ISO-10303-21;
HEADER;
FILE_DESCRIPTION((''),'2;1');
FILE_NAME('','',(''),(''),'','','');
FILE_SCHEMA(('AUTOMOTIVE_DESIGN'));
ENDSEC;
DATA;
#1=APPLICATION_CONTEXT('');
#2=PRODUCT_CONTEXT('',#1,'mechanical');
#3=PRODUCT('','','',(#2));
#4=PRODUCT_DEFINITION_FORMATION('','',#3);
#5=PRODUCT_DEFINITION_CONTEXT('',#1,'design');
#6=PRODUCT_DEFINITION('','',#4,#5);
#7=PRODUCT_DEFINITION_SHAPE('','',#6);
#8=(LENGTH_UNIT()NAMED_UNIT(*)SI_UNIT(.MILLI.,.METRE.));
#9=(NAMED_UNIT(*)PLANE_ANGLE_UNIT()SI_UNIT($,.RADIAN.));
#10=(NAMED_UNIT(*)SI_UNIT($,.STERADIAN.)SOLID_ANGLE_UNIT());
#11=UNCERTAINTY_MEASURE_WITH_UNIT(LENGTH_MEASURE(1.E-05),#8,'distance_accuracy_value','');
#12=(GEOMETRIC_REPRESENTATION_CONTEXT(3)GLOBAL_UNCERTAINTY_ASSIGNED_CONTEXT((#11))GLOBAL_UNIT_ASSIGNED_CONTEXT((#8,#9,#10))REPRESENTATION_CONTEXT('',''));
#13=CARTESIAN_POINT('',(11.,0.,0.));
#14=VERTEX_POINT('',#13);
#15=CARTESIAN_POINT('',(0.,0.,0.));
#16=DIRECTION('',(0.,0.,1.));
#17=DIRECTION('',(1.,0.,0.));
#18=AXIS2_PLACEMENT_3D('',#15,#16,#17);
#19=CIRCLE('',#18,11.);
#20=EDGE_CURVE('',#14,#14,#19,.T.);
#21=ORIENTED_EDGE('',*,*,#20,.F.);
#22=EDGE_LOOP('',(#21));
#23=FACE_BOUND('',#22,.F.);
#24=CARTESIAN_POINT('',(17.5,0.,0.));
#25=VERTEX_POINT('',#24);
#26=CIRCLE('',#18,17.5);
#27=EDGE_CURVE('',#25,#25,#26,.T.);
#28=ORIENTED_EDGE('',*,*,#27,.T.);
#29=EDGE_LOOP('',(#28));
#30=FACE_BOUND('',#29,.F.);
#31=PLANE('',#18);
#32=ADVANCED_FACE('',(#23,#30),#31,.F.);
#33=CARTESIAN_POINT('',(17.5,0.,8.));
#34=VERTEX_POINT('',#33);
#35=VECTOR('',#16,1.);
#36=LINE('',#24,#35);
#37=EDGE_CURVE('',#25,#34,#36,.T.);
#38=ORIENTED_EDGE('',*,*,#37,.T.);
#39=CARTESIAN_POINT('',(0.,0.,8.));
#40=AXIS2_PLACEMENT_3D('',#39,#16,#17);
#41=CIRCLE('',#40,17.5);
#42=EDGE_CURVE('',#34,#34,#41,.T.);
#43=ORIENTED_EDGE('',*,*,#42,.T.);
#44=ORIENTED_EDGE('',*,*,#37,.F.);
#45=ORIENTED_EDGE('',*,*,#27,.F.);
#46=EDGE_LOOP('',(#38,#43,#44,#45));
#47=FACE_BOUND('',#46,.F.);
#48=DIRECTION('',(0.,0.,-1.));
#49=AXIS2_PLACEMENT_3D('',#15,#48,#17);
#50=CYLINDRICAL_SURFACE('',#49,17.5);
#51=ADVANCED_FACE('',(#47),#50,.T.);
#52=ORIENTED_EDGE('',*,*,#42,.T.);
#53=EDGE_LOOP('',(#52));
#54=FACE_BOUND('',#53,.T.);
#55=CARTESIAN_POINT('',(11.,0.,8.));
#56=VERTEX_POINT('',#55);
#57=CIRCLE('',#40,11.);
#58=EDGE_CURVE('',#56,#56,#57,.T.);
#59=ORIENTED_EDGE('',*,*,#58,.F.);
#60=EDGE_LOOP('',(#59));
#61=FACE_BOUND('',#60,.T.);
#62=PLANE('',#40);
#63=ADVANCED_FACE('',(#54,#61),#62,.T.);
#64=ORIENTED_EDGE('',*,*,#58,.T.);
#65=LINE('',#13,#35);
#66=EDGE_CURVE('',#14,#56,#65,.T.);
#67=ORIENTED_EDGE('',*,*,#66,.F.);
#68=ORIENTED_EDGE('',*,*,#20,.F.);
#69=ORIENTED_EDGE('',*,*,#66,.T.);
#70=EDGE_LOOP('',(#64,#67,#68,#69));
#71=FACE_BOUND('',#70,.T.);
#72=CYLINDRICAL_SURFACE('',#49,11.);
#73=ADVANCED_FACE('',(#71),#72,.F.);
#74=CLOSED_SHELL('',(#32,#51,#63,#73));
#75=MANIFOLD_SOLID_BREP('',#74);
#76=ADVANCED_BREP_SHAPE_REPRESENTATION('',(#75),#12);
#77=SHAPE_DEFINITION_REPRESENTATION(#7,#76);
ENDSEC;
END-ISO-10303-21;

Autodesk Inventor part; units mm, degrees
ref_plane "YZ Plane" through (0, 0, 0) normal (1, 0, 0) x (0, 1, 0)
ref_plane "XZ Plane" through (0, 0, 0) normal (0, 1, 0) x (-1, 0, 0)
ref_plane "XY Plane" through (0, 0, 0) normal (0, 0, 1) x (1, 0, 0)
sketch "Sketch1" plane through (0, 0, 0) normal (0, 0, 1) x (1, 0, 0)
  circle A0 centre (0, 0) radius 11
  circle A1 centre (0, 0) radius 17.5
  dimension "d0" = 22
  dimension "d1" = 35
extrude "Extrusion1" add sketch "Sketch1" along normal blind 8
properties part number "WaveGeneratorRoller" material "ABS Plastic"
